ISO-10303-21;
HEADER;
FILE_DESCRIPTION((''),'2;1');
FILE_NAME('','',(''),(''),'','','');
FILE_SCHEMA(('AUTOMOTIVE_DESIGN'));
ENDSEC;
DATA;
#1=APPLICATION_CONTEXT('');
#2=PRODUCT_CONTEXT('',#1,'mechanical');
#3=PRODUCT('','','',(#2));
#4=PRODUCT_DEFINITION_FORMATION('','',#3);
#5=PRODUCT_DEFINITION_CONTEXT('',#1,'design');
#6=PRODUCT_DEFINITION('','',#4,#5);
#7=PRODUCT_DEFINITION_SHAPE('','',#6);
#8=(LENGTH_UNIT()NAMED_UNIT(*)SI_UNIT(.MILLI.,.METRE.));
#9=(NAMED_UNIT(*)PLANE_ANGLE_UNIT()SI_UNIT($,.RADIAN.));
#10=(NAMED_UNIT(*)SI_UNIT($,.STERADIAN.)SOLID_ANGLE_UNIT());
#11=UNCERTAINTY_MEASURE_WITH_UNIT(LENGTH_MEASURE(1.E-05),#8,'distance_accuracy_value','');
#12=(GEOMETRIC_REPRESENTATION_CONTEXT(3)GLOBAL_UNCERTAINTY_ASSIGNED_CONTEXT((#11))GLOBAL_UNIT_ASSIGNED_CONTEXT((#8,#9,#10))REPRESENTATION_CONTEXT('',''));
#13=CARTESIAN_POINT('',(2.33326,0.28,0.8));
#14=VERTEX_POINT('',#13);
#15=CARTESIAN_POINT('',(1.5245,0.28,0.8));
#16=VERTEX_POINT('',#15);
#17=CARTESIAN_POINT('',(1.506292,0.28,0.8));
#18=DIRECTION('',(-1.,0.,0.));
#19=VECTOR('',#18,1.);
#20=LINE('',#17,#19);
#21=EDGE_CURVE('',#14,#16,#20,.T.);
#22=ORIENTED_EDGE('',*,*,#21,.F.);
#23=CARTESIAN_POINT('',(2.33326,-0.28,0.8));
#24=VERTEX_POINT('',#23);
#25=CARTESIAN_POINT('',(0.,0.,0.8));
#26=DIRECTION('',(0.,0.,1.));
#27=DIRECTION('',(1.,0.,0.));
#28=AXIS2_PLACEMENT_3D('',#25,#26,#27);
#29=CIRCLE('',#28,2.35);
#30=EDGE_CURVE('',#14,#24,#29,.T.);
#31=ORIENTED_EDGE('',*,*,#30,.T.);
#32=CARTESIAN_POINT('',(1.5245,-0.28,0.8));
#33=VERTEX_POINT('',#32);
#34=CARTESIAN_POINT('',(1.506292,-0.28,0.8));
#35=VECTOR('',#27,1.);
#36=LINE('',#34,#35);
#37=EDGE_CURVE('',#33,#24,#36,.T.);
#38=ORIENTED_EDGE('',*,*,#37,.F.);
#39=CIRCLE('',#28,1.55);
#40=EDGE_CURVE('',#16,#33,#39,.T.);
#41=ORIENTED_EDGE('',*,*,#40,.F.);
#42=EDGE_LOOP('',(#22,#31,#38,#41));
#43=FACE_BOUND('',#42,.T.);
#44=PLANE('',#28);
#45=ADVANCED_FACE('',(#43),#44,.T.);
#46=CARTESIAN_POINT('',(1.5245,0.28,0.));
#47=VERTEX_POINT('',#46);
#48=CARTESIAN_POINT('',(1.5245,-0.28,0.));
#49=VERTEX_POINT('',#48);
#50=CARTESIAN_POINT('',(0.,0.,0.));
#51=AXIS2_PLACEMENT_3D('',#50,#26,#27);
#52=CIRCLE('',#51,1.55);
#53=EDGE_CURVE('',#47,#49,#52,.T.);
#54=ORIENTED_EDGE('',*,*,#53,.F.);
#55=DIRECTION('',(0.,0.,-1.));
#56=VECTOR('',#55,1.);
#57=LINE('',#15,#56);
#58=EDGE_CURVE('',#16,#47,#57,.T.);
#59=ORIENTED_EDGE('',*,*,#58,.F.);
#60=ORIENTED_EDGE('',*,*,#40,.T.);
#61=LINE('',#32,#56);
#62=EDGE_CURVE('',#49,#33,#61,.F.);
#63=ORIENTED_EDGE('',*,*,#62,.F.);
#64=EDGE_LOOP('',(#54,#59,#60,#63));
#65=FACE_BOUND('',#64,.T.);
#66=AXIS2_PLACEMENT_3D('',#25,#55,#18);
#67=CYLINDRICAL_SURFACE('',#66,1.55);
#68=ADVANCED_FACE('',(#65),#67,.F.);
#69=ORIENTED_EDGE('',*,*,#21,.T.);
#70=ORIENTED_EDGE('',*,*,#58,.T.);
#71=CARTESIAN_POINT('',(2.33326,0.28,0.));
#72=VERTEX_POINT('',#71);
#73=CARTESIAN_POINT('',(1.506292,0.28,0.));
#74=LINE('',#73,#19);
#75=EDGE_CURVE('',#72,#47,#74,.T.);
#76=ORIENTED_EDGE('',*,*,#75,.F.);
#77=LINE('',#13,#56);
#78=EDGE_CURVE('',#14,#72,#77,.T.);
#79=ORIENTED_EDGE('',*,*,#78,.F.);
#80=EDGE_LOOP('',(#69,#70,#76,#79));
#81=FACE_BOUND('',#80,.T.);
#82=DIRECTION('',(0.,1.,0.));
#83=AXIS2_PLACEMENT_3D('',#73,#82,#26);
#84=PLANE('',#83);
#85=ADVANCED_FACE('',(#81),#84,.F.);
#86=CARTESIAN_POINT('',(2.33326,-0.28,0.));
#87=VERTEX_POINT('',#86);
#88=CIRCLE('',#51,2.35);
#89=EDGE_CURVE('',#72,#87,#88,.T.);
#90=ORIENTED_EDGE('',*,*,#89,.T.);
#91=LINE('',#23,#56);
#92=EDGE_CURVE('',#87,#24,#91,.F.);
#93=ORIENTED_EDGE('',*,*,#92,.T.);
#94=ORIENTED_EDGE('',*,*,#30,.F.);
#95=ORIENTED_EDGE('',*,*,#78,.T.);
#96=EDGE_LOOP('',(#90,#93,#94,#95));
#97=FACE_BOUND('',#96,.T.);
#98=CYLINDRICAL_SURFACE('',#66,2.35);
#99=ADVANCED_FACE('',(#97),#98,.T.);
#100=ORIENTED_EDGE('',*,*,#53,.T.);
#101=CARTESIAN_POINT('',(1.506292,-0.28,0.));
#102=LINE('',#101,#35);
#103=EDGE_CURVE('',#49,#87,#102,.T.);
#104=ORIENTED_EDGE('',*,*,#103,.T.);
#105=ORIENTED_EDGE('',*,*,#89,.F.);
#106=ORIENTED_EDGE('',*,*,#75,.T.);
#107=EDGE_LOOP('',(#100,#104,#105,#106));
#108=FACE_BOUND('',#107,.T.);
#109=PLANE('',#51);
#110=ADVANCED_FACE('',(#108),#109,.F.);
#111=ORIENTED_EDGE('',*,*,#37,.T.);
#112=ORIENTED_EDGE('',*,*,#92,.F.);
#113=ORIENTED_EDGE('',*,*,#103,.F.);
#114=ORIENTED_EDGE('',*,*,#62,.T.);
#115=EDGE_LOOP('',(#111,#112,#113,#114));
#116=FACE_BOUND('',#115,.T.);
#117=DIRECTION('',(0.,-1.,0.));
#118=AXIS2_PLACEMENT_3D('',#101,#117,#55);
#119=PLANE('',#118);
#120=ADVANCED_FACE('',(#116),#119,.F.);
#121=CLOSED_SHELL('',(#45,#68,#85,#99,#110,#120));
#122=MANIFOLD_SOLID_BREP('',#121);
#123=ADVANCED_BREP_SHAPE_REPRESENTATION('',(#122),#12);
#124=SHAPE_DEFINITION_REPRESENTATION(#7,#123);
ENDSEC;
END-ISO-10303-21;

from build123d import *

# Parameters (mm, degrees)
SKETCH_1_R          = 2.35
SKETCH_1_R_2        = 1.55
EXTRUDE_1_DEPTH     = 0.8
SKETCH_2_W          = 0.930969166
SKETCH_2_H          = 0.56
CUT_EXTRUDE_1_DEPTH = 4.418332927


with BuildPart() as part:
    # Эскиз1 → Вытянуть1 (new body)
    with BuildSketch(Plane.XY):
        Circle(SKETCH_1_R)
        Circle(SKETCH_1_R_2, mode=Mode.SUBTRACT)
    extrude(amount=EXTRUDE_1_DEPTH)

    # Эскиз2 → Вырез-Вытянуть1 (cut, through all)
    with BuildSketch(Plane.XY.offset(0.8)):
        with Locations((1.97177665, 0)):
            Rectangle(SKETCH_2_W, SKETCH_2_H)
    extrude(amount=-CUT_EXTRUDE_1_DEPTH, mode=Mode.SUBTRACT)


solid = part.part
